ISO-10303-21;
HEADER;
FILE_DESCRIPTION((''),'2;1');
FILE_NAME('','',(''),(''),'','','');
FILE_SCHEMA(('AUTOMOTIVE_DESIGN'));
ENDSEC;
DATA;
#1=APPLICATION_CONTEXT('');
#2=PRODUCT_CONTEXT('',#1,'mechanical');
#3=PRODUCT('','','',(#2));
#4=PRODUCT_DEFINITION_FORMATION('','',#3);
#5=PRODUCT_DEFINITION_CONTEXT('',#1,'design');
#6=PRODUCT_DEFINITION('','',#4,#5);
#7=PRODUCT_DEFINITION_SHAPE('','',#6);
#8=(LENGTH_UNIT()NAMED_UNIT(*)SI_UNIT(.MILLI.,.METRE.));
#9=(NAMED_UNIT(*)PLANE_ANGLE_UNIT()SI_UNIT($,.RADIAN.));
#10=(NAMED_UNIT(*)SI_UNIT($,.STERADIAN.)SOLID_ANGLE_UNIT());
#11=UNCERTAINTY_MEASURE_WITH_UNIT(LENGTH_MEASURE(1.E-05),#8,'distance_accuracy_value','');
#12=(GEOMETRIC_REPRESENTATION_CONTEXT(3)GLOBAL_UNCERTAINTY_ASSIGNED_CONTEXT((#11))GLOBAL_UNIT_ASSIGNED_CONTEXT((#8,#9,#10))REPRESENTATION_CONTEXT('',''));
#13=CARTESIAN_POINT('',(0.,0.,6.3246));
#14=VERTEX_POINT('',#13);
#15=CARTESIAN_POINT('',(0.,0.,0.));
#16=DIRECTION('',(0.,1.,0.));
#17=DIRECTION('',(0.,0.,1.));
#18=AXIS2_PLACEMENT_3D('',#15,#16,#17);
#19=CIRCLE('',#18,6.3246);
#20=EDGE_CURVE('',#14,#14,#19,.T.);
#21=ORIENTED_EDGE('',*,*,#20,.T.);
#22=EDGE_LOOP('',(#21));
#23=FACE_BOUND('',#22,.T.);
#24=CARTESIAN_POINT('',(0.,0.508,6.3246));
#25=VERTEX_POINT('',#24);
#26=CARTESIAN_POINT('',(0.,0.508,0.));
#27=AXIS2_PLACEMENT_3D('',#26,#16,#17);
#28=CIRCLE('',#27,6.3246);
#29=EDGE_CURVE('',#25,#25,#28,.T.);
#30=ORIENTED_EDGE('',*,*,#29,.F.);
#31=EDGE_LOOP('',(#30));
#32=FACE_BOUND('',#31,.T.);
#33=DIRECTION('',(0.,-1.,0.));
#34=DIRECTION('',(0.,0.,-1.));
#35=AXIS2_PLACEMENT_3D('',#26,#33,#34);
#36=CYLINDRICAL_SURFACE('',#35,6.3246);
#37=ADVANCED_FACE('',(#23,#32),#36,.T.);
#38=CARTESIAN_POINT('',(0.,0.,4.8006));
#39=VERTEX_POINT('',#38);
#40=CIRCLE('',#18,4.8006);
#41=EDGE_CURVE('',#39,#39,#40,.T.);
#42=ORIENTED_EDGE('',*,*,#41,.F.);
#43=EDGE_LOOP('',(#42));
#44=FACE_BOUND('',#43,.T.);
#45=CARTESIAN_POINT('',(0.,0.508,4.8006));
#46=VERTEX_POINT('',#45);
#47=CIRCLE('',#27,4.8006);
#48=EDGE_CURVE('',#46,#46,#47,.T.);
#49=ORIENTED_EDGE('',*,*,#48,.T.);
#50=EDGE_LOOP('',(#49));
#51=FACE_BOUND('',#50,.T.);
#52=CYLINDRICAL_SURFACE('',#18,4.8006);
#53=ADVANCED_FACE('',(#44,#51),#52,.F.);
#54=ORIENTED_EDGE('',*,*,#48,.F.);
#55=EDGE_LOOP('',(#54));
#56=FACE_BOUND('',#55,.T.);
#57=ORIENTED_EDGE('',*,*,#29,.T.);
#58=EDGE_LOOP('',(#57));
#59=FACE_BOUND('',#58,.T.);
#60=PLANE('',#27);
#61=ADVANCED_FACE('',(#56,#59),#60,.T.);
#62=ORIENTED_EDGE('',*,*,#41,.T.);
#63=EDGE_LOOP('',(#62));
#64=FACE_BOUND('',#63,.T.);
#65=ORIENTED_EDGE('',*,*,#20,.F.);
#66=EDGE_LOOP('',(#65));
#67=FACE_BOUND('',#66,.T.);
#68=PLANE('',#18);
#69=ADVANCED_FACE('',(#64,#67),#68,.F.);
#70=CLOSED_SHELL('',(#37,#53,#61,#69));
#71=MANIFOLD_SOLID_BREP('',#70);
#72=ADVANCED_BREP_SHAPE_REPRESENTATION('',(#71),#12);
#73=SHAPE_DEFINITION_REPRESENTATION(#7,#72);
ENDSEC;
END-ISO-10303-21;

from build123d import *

# Parameters (mm, degrees)
SKETCH1_R           = 6.3246
BOSS_EXTRUDE1_DEPTH = 0.508
SKETCH5_R           = 4.8006
CUT_EXTRUDE1_DEPTH  = 1.508


with BuildPart() as part:
    # Sketch1 → Boss-Extrude1 (new body)
    with BuildSketch(Plane(origin=(0, 0, 0), x_dir=(1, 0, 0), z_dir=(0, 1, 0))):
        Circle(SKETCH1_R)
    extrude(amount=BOSS_EXTRUDE1_DEPTH)

    # Sketch5 → Cut-Extrude1 (cut, through all)
    with BuildSketch(Plane(origin=(0, 0.508, 0), x_dir=(-1, 0, 0), z_dir=(0, 1, 0))):
        Circle(SKETCH5_R)
    extrude(amount=-CUT_EXTRUDE1_DEPTH, mode=Mode.SUBTRACT)


solid = part.part
